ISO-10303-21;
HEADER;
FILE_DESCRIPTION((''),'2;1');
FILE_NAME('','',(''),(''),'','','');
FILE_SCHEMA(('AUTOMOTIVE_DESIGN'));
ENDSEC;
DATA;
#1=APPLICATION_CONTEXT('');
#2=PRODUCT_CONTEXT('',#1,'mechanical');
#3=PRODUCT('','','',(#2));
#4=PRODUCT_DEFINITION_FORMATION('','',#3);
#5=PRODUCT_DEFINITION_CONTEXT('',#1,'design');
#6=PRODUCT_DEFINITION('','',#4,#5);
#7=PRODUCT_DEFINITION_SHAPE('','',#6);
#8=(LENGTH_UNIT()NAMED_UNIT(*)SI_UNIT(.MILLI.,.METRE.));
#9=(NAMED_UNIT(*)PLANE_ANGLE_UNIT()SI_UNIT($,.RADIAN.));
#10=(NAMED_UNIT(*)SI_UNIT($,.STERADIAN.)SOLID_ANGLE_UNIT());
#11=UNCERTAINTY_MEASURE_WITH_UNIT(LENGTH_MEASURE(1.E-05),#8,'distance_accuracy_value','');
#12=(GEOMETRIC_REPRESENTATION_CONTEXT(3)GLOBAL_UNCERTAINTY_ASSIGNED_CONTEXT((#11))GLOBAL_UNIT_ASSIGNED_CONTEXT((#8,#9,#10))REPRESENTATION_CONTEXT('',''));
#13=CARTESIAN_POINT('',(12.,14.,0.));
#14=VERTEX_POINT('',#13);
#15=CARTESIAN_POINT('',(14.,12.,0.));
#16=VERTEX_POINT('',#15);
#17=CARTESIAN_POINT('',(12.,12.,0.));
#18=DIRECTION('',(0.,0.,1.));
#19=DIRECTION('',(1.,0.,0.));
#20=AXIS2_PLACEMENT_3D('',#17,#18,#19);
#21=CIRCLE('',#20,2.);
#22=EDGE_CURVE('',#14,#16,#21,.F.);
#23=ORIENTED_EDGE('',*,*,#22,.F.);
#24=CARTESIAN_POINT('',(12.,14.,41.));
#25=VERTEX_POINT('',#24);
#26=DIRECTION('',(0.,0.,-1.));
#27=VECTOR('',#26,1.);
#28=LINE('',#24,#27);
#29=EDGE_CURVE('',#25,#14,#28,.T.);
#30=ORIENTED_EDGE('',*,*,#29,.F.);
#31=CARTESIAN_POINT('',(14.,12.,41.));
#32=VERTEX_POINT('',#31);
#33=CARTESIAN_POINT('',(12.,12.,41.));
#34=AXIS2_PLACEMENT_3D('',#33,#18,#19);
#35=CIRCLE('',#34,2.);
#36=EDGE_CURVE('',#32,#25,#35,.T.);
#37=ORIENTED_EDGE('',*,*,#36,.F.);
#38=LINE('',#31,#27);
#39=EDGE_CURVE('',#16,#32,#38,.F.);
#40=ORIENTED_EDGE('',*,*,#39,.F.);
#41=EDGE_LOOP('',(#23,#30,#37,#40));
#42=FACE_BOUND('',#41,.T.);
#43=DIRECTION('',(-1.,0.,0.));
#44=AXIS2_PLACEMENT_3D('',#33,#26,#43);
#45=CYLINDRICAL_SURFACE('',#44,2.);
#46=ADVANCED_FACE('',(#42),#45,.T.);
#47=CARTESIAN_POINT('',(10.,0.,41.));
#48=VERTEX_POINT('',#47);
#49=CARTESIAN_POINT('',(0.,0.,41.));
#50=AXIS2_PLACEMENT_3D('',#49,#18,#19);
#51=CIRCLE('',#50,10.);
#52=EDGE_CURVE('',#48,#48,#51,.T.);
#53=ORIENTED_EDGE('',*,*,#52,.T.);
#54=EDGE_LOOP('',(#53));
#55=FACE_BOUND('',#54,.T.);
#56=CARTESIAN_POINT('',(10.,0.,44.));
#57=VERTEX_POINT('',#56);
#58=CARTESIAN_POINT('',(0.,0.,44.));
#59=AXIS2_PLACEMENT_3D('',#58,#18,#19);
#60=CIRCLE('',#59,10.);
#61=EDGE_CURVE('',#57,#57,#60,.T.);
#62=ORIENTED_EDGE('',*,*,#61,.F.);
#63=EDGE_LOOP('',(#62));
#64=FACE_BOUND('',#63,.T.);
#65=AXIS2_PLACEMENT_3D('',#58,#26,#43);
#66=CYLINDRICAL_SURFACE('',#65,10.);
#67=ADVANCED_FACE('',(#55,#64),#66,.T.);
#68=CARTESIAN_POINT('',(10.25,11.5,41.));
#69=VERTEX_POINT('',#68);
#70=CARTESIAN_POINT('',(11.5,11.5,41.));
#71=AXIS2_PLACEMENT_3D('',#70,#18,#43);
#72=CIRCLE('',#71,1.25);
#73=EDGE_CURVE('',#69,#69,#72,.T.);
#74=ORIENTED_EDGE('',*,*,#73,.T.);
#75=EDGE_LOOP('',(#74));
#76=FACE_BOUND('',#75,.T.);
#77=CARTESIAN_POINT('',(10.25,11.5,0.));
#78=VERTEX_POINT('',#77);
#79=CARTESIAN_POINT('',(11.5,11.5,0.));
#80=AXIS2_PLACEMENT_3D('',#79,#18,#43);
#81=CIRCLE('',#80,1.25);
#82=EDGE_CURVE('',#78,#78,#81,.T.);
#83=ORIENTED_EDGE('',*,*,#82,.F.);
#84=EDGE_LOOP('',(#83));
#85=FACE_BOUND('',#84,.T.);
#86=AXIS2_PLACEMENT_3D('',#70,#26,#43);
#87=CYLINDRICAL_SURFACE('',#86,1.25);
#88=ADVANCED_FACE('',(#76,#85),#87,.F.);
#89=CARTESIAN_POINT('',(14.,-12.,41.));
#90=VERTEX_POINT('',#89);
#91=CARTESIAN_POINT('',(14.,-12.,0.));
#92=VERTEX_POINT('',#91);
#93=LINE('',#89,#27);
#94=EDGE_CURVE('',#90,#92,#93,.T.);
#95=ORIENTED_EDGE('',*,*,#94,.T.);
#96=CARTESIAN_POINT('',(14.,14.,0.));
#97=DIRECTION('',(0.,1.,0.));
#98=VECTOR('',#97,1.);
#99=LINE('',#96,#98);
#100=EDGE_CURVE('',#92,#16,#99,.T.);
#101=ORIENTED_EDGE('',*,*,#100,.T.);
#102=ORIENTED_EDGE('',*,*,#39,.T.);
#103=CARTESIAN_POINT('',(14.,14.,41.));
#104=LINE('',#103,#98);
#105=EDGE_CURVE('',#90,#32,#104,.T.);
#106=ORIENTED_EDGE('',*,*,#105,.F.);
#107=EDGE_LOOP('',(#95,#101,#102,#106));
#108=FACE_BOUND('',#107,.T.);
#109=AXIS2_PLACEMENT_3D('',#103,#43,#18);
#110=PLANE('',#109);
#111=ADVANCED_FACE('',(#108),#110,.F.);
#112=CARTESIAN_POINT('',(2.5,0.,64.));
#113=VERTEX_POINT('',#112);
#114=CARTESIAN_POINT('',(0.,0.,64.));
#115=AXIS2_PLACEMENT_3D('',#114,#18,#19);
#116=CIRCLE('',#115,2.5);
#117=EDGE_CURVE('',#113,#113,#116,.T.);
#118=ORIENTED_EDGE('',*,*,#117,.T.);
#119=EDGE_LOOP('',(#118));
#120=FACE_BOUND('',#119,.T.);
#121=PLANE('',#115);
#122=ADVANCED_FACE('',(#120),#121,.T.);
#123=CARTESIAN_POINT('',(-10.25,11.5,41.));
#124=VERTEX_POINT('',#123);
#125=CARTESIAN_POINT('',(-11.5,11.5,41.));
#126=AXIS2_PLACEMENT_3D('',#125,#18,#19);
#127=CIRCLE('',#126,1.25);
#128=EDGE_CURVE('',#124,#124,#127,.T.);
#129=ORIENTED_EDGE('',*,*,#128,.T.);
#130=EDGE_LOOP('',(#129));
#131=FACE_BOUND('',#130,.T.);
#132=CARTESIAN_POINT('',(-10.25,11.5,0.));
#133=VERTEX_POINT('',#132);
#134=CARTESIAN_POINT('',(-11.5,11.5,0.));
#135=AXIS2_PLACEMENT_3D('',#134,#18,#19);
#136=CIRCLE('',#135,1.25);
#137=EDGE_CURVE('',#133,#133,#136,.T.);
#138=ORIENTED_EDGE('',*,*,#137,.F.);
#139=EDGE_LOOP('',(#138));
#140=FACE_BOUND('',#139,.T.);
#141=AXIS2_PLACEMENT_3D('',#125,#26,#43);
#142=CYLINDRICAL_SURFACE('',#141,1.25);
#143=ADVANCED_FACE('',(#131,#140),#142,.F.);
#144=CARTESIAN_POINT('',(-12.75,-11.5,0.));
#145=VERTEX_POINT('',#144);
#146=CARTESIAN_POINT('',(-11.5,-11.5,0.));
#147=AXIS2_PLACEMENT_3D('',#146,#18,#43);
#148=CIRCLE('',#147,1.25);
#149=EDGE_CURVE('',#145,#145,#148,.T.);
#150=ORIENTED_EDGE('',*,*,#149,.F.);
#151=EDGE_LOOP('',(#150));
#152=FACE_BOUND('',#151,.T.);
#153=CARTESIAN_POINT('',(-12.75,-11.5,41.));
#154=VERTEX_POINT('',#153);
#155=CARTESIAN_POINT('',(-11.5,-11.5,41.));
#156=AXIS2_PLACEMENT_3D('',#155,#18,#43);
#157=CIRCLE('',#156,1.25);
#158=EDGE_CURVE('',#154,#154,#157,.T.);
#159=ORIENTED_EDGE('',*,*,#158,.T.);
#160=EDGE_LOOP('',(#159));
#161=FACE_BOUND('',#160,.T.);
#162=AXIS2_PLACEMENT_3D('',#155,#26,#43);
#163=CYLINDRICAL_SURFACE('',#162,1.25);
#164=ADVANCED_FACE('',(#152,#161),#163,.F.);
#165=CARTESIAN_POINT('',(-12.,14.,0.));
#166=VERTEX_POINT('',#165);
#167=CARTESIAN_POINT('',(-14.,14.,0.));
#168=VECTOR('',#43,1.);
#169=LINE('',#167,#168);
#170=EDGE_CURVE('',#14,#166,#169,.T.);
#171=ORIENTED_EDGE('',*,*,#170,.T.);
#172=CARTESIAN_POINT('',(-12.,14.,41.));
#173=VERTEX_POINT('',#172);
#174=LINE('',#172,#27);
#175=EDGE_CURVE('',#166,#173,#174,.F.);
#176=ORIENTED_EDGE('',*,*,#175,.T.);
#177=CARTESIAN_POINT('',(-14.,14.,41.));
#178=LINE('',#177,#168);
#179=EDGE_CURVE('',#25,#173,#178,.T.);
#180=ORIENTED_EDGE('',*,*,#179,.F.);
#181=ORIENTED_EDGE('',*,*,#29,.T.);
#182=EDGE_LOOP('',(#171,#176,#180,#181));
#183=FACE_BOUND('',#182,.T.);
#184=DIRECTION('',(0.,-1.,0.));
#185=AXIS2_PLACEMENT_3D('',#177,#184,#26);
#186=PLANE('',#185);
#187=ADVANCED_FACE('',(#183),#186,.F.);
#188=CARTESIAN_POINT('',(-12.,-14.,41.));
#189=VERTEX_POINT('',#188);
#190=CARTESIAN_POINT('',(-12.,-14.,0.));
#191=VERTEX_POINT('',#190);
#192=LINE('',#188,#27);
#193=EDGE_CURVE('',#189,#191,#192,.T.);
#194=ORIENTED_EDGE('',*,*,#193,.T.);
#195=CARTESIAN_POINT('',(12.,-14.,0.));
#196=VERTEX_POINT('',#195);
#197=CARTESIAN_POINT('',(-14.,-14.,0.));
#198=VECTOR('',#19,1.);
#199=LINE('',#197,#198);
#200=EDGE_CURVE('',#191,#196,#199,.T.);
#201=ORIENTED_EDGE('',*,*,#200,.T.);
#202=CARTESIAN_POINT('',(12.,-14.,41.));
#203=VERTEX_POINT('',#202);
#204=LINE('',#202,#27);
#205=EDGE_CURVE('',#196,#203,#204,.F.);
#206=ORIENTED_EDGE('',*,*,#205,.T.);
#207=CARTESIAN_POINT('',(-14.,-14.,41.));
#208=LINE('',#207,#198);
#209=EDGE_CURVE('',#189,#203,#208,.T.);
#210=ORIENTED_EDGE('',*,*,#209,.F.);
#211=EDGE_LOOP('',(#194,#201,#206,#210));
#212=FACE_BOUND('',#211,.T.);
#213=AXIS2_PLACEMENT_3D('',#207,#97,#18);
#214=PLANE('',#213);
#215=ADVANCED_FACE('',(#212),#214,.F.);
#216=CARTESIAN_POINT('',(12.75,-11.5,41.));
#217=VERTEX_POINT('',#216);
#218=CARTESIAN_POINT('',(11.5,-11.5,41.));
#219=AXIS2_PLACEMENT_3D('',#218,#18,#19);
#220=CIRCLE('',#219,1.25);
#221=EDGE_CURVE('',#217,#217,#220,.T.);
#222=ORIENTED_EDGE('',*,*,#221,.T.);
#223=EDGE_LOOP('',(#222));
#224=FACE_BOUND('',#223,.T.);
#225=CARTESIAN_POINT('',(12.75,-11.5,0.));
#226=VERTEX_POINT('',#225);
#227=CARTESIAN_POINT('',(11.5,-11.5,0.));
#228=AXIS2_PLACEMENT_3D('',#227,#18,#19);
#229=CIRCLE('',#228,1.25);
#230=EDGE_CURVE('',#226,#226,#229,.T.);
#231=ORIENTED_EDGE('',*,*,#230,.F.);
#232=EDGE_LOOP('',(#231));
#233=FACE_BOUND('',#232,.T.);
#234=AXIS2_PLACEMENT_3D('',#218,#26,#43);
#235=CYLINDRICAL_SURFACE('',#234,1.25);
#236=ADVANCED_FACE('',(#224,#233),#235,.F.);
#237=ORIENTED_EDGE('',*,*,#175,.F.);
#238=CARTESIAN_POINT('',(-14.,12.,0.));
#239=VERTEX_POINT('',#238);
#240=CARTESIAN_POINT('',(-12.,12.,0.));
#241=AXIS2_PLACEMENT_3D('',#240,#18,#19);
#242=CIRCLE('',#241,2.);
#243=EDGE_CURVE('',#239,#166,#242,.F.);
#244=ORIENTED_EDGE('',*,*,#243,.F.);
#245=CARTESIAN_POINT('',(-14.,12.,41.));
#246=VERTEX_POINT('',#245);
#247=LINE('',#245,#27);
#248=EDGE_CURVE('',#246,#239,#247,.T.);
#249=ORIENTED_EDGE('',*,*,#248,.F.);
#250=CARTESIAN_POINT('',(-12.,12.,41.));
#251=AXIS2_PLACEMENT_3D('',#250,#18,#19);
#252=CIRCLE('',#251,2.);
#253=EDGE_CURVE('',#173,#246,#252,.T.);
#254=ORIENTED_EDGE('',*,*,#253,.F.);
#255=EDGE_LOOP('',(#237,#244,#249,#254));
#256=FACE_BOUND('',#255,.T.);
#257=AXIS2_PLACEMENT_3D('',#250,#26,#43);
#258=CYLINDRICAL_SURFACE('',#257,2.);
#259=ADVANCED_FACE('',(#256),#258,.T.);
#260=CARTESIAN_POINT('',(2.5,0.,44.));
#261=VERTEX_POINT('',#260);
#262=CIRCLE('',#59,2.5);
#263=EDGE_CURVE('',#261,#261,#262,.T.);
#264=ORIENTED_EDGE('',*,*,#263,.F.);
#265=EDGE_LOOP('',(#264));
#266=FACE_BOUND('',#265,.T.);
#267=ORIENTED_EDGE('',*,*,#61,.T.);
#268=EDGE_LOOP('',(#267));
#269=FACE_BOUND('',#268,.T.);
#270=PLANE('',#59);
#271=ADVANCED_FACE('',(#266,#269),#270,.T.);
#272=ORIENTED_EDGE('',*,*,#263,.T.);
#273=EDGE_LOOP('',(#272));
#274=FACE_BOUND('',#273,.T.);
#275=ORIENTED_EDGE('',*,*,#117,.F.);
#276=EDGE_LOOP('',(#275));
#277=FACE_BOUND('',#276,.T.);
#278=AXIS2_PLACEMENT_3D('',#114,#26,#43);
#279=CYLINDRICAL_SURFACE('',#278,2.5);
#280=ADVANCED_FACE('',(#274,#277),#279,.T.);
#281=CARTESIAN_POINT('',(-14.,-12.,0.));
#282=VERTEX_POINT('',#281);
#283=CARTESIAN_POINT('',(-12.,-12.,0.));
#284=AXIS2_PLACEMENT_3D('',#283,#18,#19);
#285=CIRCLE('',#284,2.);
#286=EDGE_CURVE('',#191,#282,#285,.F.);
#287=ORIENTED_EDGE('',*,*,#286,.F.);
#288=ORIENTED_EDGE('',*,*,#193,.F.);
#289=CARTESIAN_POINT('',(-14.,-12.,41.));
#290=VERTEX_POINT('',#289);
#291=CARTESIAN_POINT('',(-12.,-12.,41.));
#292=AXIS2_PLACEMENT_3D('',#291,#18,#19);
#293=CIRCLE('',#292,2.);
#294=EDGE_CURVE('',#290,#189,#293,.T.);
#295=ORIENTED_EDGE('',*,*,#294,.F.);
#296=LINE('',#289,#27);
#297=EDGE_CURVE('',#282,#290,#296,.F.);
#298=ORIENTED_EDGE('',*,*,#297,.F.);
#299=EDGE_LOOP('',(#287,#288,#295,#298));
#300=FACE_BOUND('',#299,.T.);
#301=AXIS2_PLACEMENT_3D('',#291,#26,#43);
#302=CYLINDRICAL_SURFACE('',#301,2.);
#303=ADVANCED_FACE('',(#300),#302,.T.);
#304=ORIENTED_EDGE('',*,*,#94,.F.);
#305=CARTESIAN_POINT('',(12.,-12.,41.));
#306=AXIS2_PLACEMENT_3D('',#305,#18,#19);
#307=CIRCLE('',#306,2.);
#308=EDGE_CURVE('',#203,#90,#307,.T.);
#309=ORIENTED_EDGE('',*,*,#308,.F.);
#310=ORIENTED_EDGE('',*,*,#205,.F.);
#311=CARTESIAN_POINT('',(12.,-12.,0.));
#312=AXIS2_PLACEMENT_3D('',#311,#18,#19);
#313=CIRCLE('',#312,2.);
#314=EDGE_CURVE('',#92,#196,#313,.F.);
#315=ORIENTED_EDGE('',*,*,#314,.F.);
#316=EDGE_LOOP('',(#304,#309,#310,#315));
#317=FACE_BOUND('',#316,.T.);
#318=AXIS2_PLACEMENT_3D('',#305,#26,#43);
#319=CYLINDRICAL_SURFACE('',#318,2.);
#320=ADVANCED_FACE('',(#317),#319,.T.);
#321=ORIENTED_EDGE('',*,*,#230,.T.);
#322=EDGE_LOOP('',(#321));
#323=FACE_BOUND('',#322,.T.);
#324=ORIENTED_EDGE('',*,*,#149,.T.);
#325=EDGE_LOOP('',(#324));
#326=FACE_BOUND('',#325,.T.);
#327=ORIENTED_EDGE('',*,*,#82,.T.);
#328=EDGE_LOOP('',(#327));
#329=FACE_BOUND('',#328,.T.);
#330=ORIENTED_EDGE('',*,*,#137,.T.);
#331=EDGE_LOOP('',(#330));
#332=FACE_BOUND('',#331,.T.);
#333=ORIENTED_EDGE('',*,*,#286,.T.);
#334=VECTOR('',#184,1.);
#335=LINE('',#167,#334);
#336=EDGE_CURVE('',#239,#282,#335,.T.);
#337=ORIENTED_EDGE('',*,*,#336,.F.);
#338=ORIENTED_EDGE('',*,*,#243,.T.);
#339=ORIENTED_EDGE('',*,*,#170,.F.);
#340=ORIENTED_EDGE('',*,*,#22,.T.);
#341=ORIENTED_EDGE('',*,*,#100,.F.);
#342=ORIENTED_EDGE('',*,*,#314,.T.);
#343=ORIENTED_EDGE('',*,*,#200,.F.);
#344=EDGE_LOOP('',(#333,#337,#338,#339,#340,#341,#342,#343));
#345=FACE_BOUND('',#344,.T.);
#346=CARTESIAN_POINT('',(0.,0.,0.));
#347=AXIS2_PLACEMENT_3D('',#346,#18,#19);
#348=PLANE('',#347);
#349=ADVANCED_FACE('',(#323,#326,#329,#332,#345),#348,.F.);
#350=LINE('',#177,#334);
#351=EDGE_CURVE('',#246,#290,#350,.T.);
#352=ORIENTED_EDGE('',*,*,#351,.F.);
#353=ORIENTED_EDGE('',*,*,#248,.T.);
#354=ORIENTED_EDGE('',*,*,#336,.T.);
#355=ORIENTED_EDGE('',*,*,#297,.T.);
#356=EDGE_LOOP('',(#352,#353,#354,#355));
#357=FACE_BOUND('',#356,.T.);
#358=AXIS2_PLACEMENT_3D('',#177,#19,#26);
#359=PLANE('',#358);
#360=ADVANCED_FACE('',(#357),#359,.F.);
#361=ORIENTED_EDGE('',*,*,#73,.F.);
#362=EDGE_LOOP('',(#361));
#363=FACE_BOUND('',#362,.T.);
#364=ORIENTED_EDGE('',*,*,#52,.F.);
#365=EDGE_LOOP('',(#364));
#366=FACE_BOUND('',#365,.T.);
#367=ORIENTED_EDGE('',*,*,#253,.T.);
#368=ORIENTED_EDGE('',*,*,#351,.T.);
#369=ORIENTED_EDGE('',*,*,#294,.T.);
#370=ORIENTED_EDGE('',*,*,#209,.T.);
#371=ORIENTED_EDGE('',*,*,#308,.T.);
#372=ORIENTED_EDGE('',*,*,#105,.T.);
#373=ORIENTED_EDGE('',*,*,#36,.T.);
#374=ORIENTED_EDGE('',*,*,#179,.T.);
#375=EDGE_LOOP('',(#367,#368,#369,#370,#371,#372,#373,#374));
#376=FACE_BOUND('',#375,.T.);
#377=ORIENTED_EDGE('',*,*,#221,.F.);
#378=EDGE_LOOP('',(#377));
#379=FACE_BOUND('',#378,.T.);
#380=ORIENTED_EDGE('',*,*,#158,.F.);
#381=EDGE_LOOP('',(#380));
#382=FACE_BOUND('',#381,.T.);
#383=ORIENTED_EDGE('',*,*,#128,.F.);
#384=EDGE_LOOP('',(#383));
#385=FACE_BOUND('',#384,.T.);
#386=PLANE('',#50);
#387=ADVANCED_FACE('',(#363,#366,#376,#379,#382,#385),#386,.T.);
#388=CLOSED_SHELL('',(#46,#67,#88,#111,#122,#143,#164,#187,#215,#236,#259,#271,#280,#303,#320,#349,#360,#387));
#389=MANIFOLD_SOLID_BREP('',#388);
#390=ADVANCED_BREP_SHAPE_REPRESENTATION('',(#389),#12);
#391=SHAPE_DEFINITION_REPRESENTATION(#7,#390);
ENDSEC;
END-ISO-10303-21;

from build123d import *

# Parameters (mm, degrees)
SKETCH_1_W      = 28
SKETCH_1_H      = 28
SKETCH_1_R      = 1.25
EXTRUDE_1_DEPTH = 41
SKETCH_2_R      = 10
EXTRUDE_2_DEPTH = 3
SKETCH_3_R      = 2.5
EXTRUDE_3_DEPTH = 20
FILLET_1_R      = 2


with BuildPart() as part:
    # 草图1 → 凸台-拉伸1 (new body)
    with BuildSketch(Plane.XY):
        Rectangle(SKETCH_1_W, SKETCH_1_H)
        with Locations((-11.5, 11.5)):
            Circle(SKETCH_1_R, mode=Mode.SUBTRACT)
        with Locations((11.5, 11.5)):
            Circle(SKETCH_1_R, mode=Mode.SUBTRACT)
        with Locations((11.5, -11.5)):
            Circle(SKETCH_1_R, mode=Mode.SUBTRACT)
        with Locations((-11.5, -11.5)):
            Circle(SKETCH_1_R, mode=Mode.SUBTRACT)
    extrude(amount=EXTRUDE_1_DEPTH)

    # 草图2 → 凸台-拉伸2 (add)
    with BuildSketch(Plane.XY.offset(41)):
        Circle(SKETCH_2_R)
    extrude(amount=EXTRUDE_2_DEPTH)

    # 草图3 → 凸台-拉伸3 (add)
    with BuildSketch(Plane.XY.offset(44)):
        Circle(SKETCH_3_R)
    extrude(amount=EXTRUDE_3_DEPTH)

    # 圆角1
    fillet_1_edges = [part.edges().sort_by_distance(p)[0] for p in [
        (14, -14, 20.5),
        (-14, -14, 20.5),
        (-14, 14, 20.5),
        (14, 14, 20.5),
    ]]
    fillet(fillet_1_edges, radius=FILLET_1_R)


solid = part.part
